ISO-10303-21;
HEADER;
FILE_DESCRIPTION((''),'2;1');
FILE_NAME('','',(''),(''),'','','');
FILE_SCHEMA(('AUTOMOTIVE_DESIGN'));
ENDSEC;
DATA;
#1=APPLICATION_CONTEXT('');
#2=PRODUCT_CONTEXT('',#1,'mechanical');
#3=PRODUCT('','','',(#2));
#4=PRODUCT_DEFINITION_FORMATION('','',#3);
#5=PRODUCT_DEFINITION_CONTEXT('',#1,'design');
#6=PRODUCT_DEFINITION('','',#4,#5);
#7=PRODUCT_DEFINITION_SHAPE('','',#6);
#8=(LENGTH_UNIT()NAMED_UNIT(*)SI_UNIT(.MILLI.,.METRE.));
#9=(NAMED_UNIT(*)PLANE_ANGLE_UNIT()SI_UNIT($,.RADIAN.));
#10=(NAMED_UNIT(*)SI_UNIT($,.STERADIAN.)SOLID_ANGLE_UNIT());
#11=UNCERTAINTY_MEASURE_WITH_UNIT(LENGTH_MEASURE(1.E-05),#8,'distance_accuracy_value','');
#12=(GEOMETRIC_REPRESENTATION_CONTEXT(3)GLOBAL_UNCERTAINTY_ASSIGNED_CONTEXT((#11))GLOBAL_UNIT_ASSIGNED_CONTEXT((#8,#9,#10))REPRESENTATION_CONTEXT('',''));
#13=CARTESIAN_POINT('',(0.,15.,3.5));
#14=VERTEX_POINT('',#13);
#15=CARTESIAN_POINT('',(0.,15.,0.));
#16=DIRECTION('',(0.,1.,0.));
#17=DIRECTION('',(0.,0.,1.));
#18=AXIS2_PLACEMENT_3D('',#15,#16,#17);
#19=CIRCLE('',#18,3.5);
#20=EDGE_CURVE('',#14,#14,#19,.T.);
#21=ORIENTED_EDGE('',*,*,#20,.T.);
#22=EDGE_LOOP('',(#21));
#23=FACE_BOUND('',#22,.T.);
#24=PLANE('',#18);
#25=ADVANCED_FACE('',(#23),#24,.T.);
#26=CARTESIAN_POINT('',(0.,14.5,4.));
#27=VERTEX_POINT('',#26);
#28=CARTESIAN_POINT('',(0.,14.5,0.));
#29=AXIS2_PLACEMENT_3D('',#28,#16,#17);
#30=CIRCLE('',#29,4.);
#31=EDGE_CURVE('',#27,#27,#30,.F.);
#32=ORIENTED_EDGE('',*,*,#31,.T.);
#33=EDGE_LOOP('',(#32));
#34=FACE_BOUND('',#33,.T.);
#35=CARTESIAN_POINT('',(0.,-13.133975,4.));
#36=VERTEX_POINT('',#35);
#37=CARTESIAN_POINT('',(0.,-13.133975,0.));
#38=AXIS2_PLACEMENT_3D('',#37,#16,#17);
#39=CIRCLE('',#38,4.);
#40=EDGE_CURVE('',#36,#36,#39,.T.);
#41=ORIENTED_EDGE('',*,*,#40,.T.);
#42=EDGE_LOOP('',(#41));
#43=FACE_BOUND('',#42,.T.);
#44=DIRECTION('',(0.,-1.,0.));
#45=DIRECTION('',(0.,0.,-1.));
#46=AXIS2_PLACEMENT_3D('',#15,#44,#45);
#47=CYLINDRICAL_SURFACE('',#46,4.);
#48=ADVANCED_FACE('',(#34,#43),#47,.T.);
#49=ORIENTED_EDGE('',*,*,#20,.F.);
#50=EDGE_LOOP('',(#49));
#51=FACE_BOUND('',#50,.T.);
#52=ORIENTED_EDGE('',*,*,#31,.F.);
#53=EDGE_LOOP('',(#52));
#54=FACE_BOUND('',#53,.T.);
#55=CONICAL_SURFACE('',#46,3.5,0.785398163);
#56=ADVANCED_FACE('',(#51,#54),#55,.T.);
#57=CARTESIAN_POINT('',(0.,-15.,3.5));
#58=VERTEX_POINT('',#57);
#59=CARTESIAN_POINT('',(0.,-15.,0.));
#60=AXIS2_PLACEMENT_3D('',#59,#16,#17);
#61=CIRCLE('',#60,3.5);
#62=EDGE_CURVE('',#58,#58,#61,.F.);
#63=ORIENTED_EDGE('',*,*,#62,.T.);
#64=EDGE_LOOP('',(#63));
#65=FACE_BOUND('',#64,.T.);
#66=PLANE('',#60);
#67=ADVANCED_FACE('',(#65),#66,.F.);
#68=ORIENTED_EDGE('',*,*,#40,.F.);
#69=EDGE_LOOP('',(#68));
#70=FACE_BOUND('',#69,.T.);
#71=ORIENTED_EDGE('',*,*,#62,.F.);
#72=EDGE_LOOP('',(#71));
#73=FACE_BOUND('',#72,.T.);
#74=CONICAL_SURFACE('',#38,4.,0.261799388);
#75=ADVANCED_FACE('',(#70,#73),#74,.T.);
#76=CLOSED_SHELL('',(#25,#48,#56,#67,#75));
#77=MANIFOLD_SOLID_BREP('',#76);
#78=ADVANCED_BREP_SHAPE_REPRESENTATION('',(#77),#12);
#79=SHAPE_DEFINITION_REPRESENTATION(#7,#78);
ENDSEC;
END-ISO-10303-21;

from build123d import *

# Parameters (mm, degrees)
SKETCH_1_R      = 4
EXTRUDE_1_DEPTH = 15
CHAMFER_1_SIZE  = 0.5
CHAMFER_2_SIZE  = 0.5
CHAMFER_2_SIZE2 = 1.866025404


with BuildPart() as part:
    # 草圖1 → 伸長1 (new, symmetric)
    with BuildSketch(Plane(origin=(0, 0, 0), x_dir=(1, 0, 0), z_dir=(0, 1, 0))):
        with Locations(Location((0, 0, 0), (0, 0, 270))):
            Circle(SKETCH_1_R)
    extrude(amount=EXTRUDE_1_DEPTH, both=True)

    # 導角1
    chamfer_1_edges = [part.edges().sort_by_distance(p)[0] for p in [
        (0, 15, -4),
    ]]
    chamfer(chamfer_1_edges, length=CHAMFER_1_SIZE)

    # 導角2
    chamfer_2_edges = [part.edges().sort_by_distance(p)[0] for p in [
        (0, -15, -4),
    ]]
    chamfer_2_side = [part.faces().sort_by_distance(p)[0] for p in [
        (0, -15, 0),
    ]]
    chamfer(chamfer_2_edges, length=CHAMFER_2_SIZE, length2=CHAMFER_2_SIZE2, reference=chamfer_2_side[0])


solid = part.part
